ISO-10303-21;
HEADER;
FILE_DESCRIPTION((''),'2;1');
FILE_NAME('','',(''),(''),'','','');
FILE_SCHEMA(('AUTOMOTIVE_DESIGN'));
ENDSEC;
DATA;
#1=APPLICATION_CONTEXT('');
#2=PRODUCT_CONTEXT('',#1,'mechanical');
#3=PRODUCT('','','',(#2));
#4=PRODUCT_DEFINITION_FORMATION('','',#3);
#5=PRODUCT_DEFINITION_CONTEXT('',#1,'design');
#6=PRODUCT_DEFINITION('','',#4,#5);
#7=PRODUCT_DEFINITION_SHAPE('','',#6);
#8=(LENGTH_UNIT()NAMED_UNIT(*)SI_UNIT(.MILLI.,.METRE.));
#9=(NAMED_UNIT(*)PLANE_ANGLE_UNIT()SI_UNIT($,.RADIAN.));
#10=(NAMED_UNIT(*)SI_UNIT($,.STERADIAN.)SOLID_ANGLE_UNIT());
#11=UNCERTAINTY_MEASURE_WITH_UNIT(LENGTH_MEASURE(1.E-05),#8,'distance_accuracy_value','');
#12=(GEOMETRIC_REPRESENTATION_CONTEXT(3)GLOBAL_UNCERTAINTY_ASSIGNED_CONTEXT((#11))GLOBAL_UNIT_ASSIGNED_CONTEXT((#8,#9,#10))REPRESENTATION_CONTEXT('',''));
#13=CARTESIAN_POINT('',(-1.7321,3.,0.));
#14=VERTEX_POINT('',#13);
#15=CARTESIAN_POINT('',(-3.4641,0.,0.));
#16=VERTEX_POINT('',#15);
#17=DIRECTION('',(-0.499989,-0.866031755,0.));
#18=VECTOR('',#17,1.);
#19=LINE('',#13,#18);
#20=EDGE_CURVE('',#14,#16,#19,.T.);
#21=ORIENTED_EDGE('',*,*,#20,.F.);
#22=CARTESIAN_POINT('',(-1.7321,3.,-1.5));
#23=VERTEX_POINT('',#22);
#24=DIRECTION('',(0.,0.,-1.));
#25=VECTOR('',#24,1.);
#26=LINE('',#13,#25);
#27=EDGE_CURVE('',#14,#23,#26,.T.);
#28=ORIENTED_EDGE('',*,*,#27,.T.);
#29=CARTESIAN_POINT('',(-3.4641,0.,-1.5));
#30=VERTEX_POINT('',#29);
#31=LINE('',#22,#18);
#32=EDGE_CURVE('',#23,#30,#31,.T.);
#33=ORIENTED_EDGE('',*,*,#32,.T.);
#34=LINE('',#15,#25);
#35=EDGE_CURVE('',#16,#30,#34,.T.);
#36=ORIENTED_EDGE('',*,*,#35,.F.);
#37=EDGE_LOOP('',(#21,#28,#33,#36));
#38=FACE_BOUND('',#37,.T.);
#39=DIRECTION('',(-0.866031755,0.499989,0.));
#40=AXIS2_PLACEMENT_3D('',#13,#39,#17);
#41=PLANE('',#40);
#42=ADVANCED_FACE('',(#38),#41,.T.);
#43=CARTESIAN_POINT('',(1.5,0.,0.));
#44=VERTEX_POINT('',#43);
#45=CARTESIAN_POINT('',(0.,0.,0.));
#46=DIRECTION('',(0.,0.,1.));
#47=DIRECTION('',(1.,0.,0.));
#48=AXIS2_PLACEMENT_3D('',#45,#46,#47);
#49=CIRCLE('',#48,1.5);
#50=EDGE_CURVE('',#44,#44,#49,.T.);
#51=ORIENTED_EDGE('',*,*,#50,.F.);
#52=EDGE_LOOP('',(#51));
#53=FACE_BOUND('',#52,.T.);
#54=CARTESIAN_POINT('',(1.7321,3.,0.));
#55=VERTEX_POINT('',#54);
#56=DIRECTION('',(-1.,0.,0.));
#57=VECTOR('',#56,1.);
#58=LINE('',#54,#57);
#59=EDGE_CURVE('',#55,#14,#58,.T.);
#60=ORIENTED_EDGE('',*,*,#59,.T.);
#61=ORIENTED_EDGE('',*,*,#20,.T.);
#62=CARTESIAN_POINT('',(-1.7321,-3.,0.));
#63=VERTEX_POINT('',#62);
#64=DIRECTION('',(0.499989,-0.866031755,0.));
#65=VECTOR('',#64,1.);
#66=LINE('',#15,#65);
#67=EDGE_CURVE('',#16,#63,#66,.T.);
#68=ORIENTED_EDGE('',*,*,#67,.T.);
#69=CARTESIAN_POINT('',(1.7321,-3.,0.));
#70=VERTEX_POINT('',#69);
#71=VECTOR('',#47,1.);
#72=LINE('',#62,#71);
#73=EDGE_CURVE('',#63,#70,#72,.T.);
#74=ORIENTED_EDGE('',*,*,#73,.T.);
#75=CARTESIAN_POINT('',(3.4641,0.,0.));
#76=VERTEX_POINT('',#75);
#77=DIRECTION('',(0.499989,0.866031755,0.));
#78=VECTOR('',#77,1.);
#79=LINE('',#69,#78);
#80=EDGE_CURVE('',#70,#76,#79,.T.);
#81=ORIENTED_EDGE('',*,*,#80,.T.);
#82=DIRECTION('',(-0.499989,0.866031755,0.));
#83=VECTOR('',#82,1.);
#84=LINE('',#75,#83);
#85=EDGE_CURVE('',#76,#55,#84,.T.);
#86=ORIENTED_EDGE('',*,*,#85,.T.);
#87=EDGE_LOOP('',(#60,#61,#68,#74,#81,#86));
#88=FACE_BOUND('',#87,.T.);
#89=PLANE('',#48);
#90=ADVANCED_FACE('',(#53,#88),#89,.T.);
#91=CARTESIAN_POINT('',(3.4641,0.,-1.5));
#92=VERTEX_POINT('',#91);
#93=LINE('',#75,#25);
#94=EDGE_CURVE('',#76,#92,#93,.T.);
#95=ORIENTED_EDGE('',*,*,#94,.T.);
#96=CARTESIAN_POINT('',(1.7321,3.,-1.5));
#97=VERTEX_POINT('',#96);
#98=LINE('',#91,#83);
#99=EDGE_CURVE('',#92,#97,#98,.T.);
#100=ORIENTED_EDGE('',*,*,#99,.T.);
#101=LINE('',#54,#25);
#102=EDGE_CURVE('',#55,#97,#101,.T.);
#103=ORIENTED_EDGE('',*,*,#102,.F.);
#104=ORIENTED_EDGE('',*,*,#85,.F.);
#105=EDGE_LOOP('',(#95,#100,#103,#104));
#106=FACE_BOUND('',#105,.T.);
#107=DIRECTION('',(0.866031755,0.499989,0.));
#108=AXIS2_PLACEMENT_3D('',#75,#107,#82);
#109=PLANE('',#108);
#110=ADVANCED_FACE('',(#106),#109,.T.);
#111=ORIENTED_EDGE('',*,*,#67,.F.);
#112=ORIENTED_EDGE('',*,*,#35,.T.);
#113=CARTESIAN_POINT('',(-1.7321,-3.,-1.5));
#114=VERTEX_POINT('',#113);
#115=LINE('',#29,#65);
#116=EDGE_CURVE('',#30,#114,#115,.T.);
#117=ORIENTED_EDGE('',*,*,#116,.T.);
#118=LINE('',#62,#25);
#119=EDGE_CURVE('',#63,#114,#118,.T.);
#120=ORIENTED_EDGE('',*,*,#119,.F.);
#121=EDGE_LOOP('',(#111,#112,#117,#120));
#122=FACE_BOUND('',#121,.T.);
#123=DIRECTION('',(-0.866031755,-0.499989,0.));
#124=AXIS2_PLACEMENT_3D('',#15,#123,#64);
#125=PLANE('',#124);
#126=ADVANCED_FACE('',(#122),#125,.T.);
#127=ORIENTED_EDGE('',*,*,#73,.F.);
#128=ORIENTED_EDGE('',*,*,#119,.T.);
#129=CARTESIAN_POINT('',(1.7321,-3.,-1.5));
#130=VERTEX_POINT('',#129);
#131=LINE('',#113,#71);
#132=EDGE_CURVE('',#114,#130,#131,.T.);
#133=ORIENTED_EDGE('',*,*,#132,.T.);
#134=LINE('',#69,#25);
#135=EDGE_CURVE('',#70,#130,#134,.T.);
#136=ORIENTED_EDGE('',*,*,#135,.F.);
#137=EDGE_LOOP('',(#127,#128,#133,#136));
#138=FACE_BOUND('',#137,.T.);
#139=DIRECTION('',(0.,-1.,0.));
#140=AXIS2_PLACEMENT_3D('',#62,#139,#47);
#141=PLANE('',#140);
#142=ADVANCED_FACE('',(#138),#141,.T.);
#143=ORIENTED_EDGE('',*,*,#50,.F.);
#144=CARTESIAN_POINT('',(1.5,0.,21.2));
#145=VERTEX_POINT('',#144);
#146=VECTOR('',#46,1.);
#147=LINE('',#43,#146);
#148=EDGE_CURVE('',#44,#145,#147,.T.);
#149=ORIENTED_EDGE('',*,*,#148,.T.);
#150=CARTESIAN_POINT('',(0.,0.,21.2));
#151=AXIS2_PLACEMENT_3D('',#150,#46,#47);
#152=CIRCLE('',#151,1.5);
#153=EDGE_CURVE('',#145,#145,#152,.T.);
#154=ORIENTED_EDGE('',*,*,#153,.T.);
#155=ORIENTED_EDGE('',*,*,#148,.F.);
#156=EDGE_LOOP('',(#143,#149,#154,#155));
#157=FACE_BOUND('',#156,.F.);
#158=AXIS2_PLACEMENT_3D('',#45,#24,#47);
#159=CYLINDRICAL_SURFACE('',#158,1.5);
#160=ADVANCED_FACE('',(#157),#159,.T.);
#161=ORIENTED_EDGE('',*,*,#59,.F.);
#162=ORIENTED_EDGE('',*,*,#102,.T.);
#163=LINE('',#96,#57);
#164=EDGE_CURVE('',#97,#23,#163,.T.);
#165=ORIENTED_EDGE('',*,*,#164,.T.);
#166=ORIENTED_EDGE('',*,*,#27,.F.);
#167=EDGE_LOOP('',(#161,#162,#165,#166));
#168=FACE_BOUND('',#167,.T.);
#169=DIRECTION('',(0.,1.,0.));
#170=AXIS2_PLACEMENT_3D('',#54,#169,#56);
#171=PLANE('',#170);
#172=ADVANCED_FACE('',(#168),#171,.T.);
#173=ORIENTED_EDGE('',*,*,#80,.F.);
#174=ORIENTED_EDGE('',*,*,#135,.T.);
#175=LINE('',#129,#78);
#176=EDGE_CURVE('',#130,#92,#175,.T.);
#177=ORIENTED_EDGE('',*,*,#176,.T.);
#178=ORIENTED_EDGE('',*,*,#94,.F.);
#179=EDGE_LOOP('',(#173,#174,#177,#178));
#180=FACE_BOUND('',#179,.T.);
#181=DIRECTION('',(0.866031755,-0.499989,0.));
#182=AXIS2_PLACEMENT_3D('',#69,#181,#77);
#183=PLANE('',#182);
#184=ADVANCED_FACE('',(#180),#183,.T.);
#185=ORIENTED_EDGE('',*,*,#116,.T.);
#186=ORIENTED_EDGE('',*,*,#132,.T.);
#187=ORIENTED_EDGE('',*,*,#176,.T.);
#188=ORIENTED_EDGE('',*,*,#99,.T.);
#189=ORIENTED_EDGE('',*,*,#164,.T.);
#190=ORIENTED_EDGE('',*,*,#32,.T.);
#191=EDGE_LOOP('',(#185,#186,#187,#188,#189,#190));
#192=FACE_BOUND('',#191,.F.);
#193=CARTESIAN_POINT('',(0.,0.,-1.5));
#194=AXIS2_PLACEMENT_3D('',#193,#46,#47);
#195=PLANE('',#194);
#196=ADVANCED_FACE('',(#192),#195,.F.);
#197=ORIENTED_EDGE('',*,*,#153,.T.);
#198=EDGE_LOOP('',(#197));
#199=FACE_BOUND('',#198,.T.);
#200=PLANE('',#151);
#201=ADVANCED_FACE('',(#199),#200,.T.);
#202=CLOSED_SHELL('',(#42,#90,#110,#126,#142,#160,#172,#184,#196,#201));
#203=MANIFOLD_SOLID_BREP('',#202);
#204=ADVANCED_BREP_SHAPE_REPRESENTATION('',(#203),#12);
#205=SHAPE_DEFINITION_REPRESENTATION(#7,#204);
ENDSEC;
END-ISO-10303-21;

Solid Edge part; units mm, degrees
sketch "Sketch1" plane through (0, 0, 0) normal (0, 0, 1) x (1, 0, 0)
  line L0 (-1.7321, -3) -> (1.7321, -3)
  line L1 (1.7321, -3) -> (3.4641, 0)
  line L2 (3.4641, 0) -> (1.7321, 3)
  line L3 (1.7321, 3) -> (-1.7321, 3)
  line L4 (-1.7321, 3) -> (-3.4641, 0)
  line L5 (-3.4641, 0) -> (-1.7321, -3)
extrude "Protrusion1" add sketch "Sketch1" against normal blind 1.5
sketch "Sketch2" plane through (0, 0, 0) normal (0, 0, 1) x (1, 0, 0)
  circle A0 centre (0, 0) radius 1.5
extrude "ExtrudedProtrusion_2" add sketch "Sketch2" along normal blind 21.2
properties material "Stainless steel"
